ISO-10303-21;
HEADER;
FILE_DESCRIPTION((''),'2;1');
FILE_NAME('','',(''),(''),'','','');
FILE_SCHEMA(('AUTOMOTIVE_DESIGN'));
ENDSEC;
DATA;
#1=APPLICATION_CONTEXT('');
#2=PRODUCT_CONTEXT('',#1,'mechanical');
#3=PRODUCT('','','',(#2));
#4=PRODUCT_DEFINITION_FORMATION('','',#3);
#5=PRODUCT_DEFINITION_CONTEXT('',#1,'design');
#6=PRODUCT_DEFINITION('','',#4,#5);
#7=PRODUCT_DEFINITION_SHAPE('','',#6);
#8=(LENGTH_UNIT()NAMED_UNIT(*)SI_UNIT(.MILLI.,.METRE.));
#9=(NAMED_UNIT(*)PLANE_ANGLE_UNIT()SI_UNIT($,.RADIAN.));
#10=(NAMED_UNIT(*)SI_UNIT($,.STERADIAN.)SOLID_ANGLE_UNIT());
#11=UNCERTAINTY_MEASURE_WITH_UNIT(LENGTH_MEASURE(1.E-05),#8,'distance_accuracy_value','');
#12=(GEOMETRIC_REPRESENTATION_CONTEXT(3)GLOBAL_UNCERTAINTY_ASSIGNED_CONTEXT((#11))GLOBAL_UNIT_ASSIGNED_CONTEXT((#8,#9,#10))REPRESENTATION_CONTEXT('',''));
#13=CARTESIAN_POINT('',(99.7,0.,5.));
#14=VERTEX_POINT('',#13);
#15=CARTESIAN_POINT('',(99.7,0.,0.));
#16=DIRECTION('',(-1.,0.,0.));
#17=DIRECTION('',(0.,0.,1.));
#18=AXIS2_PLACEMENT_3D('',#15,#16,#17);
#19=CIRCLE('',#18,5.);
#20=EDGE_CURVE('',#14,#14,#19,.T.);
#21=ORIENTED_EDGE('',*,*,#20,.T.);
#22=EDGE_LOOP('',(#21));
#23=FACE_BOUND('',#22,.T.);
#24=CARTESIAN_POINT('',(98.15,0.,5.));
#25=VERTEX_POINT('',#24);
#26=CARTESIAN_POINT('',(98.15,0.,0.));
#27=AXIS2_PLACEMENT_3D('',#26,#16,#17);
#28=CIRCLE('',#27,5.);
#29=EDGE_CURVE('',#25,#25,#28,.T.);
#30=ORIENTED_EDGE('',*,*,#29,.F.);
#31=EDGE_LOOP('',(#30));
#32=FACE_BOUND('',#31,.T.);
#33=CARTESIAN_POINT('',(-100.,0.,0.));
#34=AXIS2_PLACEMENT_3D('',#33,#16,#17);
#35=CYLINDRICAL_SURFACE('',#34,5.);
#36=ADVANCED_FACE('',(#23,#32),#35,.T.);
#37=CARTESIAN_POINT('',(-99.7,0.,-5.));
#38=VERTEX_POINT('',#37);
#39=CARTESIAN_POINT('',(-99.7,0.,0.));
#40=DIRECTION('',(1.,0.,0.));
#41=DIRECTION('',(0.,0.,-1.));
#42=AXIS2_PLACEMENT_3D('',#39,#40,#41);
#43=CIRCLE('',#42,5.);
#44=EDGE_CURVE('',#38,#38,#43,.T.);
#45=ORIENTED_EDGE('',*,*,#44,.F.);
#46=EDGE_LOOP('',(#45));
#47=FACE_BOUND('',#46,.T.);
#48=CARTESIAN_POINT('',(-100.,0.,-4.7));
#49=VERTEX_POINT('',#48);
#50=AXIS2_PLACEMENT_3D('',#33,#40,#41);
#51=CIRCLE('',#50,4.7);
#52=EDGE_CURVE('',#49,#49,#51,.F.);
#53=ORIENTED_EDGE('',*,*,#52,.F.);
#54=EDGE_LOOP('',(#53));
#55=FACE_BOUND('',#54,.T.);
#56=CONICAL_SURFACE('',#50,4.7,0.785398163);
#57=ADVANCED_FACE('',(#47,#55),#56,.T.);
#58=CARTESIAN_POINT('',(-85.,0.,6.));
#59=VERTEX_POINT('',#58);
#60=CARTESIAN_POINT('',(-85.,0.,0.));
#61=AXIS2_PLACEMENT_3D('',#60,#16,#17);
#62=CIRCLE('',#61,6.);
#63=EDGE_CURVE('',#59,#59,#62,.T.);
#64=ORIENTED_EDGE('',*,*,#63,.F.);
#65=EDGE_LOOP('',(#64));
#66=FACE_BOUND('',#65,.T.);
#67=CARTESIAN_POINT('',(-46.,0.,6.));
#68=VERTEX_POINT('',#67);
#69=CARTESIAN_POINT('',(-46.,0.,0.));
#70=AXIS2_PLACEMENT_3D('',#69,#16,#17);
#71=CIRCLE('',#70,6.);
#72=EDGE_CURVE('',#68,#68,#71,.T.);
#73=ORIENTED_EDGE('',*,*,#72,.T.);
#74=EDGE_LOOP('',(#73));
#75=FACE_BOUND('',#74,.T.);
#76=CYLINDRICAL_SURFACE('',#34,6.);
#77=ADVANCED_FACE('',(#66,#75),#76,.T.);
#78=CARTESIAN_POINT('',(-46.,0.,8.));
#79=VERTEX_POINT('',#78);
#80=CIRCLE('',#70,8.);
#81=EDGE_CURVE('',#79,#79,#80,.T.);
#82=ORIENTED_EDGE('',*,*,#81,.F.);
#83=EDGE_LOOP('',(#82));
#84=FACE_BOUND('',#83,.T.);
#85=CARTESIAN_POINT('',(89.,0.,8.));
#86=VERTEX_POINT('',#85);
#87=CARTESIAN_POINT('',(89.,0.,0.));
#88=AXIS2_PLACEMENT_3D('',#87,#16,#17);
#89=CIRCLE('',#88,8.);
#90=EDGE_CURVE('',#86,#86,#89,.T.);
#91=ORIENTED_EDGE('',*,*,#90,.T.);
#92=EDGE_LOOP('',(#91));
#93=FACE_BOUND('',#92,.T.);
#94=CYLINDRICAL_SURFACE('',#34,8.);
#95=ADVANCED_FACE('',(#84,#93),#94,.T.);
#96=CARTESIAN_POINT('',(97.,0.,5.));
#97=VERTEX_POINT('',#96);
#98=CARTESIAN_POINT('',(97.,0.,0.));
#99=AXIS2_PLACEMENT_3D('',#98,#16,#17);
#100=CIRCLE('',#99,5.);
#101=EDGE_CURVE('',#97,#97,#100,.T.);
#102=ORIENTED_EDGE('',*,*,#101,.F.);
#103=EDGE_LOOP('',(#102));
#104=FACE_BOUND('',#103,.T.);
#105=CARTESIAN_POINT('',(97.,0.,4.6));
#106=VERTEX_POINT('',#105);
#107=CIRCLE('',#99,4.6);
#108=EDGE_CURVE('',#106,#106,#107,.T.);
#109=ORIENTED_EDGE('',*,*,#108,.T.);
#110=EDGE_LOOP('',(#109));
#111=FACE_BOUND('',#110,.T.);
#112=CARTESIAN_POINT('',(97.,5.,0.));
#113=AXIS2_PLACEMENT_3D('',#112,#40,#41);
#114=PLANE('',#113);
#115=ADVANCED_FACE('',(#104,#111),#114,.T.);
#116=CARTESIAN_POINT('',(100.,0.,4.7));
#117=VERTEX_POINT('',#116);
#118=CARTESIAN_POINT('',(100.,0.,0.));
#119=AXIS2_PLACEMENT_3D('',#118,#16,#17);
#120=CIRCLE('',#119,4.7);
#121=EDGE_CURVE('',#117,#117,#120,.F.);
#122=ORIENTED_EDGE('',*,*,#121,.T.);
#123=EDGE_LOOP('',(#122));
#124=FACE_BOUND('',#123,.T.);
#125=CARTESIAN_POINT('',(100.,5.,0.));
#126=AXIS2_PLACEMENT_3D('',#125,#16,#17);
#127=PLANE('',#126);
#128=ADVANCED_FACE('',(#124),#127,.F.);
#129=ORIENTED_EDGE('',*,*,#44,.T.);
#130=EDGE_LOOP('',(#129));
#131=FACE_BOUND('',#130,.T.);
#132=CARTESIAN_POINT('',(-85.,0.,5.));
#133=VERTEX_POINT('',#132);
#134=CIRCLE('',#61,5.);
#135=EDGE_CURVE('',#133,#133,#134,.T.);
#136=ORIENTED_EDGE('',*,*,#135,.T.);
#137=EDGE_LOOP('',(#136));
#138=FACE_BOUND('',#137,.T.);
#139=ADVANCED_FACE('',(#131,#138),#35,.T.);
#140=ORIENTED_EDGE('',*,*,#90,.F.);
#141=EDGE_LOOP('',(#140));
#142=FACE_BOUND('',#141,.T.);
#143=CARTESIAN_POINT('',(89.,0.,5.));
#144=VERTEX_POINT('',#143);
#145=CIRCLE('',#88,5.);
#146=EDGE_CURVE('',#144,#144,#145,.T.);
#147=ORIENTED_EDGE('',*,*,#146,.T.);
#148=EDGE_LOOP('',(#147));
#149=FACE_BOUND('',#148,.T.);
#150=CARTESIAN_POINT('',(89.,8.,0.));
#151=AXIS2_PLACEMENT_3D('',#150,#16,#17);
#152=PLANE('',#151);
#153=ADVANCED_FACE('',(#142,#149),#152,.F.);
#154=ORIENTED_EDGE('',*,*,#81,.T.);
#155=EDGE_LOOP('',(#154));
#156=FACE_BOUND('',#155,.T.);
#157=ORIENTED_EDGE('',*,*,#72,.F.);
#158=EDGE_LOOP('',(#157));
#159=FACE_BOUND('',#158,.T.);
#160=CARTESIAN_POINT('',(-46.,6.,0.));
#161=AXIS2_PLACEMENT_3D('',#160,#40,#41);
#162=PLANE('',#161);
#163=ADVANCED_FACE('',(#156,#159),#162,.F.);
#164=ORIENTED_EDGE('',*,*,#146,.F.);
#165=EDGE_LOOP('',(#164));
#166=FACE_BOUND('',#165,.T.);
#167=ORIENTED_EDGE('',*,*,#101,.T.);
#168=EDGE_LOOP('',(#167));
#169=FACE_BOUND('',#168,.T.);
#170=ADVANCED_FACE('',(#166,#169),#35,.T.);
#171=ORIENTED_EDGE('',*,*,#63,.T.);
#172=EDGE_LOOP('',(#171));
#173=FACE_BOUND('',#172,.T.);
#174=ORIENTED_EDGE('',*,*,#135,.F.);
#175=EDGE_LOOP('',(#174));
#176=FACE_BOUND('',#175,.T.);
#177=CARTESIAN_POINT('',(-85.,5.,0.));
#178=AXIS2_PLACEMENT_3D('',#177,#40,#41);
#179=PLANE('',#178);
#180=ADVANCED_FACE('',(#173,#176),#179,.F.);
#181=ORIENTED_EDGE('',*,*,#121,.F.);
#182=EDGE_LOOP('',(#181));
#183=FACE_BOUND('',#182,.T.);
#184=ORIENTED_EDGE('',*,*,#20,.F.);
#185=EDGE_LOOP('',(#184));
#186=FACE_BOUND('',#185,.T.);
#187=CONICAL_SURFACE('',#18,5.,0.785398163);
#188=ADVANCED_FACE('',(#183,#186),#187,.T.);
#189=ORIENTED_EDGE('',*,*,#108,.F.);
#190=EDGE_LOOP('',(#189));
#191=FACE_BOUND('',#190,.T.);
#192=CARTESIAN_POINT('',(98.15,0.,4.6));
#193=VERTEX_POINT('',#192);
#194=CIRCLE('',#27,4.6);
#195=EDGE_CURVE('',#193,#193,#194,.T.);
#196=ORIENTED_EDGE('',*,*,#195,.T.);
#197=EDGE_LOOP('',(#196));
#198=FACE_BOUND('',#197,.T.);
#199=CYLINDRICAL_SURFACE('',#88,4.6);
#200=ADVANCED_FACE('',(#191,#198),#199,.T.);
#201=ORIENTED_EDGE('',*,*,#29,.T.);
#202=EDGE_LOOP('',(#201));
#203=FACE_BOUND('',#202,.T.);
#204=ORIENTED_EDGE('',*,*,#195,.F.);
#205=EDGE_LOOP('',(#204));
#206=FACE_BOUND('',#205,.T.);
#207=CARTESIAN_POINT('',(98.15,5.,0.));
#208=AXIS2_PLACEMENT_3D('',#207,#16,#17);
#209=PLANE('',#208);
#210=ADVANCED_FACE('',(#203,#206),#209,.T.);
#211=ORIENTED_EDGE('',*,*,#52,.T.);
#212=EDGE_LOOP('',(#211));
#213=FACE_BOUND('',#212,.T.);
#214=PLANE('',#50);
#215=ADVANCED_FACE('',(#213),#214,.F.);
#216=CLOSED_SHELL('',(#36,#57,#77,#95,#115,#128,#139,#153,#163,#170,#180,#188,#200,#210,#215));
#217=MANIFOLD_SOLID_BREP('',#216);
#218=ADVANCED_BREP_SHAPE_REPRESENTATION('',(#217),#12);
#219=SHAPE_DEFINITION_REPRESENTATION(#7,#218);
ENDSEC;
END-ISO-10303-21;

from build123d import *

# Parameters (mm, degrees)
SKETCH_2_W     = 1.15
SKETCH_2_H     = 0.4
CHAMFER_1_SIZE = 0.3


with BuildPart() as part:
    # Эскиз1 → Повернуть1 (revolve)
    with BuildSketch(Plane.XY):
        Polygon((-100, 0), (100, 0), (100, 5), (89, 5), (89, 8), (-46, 8), (-46, 6), (-85, 6), (-85, 5), (-100, 5), align=None)
    revolve(axis=Axis((-100, 0, 0), (1, 0, 0)))

    # Эскиз2 → Вырез-Повернуть1 (revolve, cut)
    with BuildSketch(Plane.XY):
        with Locations((97.575, 4.8)):
            Rectangle(SKETCH_2_W, SKETCH_2_H)
    revolve(axis=Axis((89, 0, 0), (1, 0, 0)), mode=Mode.SUBTRACT)

    # Фаска1
    chamfer_1_edges = [part.edges().sort_by_distance(p)[0] for p in [
        (-100, -5, 0),
        (100, -5, 0),
    ]]
    chamfer(chamfer_1_edges, length=CHAMFER_1_SIZE)


solid = part.part
